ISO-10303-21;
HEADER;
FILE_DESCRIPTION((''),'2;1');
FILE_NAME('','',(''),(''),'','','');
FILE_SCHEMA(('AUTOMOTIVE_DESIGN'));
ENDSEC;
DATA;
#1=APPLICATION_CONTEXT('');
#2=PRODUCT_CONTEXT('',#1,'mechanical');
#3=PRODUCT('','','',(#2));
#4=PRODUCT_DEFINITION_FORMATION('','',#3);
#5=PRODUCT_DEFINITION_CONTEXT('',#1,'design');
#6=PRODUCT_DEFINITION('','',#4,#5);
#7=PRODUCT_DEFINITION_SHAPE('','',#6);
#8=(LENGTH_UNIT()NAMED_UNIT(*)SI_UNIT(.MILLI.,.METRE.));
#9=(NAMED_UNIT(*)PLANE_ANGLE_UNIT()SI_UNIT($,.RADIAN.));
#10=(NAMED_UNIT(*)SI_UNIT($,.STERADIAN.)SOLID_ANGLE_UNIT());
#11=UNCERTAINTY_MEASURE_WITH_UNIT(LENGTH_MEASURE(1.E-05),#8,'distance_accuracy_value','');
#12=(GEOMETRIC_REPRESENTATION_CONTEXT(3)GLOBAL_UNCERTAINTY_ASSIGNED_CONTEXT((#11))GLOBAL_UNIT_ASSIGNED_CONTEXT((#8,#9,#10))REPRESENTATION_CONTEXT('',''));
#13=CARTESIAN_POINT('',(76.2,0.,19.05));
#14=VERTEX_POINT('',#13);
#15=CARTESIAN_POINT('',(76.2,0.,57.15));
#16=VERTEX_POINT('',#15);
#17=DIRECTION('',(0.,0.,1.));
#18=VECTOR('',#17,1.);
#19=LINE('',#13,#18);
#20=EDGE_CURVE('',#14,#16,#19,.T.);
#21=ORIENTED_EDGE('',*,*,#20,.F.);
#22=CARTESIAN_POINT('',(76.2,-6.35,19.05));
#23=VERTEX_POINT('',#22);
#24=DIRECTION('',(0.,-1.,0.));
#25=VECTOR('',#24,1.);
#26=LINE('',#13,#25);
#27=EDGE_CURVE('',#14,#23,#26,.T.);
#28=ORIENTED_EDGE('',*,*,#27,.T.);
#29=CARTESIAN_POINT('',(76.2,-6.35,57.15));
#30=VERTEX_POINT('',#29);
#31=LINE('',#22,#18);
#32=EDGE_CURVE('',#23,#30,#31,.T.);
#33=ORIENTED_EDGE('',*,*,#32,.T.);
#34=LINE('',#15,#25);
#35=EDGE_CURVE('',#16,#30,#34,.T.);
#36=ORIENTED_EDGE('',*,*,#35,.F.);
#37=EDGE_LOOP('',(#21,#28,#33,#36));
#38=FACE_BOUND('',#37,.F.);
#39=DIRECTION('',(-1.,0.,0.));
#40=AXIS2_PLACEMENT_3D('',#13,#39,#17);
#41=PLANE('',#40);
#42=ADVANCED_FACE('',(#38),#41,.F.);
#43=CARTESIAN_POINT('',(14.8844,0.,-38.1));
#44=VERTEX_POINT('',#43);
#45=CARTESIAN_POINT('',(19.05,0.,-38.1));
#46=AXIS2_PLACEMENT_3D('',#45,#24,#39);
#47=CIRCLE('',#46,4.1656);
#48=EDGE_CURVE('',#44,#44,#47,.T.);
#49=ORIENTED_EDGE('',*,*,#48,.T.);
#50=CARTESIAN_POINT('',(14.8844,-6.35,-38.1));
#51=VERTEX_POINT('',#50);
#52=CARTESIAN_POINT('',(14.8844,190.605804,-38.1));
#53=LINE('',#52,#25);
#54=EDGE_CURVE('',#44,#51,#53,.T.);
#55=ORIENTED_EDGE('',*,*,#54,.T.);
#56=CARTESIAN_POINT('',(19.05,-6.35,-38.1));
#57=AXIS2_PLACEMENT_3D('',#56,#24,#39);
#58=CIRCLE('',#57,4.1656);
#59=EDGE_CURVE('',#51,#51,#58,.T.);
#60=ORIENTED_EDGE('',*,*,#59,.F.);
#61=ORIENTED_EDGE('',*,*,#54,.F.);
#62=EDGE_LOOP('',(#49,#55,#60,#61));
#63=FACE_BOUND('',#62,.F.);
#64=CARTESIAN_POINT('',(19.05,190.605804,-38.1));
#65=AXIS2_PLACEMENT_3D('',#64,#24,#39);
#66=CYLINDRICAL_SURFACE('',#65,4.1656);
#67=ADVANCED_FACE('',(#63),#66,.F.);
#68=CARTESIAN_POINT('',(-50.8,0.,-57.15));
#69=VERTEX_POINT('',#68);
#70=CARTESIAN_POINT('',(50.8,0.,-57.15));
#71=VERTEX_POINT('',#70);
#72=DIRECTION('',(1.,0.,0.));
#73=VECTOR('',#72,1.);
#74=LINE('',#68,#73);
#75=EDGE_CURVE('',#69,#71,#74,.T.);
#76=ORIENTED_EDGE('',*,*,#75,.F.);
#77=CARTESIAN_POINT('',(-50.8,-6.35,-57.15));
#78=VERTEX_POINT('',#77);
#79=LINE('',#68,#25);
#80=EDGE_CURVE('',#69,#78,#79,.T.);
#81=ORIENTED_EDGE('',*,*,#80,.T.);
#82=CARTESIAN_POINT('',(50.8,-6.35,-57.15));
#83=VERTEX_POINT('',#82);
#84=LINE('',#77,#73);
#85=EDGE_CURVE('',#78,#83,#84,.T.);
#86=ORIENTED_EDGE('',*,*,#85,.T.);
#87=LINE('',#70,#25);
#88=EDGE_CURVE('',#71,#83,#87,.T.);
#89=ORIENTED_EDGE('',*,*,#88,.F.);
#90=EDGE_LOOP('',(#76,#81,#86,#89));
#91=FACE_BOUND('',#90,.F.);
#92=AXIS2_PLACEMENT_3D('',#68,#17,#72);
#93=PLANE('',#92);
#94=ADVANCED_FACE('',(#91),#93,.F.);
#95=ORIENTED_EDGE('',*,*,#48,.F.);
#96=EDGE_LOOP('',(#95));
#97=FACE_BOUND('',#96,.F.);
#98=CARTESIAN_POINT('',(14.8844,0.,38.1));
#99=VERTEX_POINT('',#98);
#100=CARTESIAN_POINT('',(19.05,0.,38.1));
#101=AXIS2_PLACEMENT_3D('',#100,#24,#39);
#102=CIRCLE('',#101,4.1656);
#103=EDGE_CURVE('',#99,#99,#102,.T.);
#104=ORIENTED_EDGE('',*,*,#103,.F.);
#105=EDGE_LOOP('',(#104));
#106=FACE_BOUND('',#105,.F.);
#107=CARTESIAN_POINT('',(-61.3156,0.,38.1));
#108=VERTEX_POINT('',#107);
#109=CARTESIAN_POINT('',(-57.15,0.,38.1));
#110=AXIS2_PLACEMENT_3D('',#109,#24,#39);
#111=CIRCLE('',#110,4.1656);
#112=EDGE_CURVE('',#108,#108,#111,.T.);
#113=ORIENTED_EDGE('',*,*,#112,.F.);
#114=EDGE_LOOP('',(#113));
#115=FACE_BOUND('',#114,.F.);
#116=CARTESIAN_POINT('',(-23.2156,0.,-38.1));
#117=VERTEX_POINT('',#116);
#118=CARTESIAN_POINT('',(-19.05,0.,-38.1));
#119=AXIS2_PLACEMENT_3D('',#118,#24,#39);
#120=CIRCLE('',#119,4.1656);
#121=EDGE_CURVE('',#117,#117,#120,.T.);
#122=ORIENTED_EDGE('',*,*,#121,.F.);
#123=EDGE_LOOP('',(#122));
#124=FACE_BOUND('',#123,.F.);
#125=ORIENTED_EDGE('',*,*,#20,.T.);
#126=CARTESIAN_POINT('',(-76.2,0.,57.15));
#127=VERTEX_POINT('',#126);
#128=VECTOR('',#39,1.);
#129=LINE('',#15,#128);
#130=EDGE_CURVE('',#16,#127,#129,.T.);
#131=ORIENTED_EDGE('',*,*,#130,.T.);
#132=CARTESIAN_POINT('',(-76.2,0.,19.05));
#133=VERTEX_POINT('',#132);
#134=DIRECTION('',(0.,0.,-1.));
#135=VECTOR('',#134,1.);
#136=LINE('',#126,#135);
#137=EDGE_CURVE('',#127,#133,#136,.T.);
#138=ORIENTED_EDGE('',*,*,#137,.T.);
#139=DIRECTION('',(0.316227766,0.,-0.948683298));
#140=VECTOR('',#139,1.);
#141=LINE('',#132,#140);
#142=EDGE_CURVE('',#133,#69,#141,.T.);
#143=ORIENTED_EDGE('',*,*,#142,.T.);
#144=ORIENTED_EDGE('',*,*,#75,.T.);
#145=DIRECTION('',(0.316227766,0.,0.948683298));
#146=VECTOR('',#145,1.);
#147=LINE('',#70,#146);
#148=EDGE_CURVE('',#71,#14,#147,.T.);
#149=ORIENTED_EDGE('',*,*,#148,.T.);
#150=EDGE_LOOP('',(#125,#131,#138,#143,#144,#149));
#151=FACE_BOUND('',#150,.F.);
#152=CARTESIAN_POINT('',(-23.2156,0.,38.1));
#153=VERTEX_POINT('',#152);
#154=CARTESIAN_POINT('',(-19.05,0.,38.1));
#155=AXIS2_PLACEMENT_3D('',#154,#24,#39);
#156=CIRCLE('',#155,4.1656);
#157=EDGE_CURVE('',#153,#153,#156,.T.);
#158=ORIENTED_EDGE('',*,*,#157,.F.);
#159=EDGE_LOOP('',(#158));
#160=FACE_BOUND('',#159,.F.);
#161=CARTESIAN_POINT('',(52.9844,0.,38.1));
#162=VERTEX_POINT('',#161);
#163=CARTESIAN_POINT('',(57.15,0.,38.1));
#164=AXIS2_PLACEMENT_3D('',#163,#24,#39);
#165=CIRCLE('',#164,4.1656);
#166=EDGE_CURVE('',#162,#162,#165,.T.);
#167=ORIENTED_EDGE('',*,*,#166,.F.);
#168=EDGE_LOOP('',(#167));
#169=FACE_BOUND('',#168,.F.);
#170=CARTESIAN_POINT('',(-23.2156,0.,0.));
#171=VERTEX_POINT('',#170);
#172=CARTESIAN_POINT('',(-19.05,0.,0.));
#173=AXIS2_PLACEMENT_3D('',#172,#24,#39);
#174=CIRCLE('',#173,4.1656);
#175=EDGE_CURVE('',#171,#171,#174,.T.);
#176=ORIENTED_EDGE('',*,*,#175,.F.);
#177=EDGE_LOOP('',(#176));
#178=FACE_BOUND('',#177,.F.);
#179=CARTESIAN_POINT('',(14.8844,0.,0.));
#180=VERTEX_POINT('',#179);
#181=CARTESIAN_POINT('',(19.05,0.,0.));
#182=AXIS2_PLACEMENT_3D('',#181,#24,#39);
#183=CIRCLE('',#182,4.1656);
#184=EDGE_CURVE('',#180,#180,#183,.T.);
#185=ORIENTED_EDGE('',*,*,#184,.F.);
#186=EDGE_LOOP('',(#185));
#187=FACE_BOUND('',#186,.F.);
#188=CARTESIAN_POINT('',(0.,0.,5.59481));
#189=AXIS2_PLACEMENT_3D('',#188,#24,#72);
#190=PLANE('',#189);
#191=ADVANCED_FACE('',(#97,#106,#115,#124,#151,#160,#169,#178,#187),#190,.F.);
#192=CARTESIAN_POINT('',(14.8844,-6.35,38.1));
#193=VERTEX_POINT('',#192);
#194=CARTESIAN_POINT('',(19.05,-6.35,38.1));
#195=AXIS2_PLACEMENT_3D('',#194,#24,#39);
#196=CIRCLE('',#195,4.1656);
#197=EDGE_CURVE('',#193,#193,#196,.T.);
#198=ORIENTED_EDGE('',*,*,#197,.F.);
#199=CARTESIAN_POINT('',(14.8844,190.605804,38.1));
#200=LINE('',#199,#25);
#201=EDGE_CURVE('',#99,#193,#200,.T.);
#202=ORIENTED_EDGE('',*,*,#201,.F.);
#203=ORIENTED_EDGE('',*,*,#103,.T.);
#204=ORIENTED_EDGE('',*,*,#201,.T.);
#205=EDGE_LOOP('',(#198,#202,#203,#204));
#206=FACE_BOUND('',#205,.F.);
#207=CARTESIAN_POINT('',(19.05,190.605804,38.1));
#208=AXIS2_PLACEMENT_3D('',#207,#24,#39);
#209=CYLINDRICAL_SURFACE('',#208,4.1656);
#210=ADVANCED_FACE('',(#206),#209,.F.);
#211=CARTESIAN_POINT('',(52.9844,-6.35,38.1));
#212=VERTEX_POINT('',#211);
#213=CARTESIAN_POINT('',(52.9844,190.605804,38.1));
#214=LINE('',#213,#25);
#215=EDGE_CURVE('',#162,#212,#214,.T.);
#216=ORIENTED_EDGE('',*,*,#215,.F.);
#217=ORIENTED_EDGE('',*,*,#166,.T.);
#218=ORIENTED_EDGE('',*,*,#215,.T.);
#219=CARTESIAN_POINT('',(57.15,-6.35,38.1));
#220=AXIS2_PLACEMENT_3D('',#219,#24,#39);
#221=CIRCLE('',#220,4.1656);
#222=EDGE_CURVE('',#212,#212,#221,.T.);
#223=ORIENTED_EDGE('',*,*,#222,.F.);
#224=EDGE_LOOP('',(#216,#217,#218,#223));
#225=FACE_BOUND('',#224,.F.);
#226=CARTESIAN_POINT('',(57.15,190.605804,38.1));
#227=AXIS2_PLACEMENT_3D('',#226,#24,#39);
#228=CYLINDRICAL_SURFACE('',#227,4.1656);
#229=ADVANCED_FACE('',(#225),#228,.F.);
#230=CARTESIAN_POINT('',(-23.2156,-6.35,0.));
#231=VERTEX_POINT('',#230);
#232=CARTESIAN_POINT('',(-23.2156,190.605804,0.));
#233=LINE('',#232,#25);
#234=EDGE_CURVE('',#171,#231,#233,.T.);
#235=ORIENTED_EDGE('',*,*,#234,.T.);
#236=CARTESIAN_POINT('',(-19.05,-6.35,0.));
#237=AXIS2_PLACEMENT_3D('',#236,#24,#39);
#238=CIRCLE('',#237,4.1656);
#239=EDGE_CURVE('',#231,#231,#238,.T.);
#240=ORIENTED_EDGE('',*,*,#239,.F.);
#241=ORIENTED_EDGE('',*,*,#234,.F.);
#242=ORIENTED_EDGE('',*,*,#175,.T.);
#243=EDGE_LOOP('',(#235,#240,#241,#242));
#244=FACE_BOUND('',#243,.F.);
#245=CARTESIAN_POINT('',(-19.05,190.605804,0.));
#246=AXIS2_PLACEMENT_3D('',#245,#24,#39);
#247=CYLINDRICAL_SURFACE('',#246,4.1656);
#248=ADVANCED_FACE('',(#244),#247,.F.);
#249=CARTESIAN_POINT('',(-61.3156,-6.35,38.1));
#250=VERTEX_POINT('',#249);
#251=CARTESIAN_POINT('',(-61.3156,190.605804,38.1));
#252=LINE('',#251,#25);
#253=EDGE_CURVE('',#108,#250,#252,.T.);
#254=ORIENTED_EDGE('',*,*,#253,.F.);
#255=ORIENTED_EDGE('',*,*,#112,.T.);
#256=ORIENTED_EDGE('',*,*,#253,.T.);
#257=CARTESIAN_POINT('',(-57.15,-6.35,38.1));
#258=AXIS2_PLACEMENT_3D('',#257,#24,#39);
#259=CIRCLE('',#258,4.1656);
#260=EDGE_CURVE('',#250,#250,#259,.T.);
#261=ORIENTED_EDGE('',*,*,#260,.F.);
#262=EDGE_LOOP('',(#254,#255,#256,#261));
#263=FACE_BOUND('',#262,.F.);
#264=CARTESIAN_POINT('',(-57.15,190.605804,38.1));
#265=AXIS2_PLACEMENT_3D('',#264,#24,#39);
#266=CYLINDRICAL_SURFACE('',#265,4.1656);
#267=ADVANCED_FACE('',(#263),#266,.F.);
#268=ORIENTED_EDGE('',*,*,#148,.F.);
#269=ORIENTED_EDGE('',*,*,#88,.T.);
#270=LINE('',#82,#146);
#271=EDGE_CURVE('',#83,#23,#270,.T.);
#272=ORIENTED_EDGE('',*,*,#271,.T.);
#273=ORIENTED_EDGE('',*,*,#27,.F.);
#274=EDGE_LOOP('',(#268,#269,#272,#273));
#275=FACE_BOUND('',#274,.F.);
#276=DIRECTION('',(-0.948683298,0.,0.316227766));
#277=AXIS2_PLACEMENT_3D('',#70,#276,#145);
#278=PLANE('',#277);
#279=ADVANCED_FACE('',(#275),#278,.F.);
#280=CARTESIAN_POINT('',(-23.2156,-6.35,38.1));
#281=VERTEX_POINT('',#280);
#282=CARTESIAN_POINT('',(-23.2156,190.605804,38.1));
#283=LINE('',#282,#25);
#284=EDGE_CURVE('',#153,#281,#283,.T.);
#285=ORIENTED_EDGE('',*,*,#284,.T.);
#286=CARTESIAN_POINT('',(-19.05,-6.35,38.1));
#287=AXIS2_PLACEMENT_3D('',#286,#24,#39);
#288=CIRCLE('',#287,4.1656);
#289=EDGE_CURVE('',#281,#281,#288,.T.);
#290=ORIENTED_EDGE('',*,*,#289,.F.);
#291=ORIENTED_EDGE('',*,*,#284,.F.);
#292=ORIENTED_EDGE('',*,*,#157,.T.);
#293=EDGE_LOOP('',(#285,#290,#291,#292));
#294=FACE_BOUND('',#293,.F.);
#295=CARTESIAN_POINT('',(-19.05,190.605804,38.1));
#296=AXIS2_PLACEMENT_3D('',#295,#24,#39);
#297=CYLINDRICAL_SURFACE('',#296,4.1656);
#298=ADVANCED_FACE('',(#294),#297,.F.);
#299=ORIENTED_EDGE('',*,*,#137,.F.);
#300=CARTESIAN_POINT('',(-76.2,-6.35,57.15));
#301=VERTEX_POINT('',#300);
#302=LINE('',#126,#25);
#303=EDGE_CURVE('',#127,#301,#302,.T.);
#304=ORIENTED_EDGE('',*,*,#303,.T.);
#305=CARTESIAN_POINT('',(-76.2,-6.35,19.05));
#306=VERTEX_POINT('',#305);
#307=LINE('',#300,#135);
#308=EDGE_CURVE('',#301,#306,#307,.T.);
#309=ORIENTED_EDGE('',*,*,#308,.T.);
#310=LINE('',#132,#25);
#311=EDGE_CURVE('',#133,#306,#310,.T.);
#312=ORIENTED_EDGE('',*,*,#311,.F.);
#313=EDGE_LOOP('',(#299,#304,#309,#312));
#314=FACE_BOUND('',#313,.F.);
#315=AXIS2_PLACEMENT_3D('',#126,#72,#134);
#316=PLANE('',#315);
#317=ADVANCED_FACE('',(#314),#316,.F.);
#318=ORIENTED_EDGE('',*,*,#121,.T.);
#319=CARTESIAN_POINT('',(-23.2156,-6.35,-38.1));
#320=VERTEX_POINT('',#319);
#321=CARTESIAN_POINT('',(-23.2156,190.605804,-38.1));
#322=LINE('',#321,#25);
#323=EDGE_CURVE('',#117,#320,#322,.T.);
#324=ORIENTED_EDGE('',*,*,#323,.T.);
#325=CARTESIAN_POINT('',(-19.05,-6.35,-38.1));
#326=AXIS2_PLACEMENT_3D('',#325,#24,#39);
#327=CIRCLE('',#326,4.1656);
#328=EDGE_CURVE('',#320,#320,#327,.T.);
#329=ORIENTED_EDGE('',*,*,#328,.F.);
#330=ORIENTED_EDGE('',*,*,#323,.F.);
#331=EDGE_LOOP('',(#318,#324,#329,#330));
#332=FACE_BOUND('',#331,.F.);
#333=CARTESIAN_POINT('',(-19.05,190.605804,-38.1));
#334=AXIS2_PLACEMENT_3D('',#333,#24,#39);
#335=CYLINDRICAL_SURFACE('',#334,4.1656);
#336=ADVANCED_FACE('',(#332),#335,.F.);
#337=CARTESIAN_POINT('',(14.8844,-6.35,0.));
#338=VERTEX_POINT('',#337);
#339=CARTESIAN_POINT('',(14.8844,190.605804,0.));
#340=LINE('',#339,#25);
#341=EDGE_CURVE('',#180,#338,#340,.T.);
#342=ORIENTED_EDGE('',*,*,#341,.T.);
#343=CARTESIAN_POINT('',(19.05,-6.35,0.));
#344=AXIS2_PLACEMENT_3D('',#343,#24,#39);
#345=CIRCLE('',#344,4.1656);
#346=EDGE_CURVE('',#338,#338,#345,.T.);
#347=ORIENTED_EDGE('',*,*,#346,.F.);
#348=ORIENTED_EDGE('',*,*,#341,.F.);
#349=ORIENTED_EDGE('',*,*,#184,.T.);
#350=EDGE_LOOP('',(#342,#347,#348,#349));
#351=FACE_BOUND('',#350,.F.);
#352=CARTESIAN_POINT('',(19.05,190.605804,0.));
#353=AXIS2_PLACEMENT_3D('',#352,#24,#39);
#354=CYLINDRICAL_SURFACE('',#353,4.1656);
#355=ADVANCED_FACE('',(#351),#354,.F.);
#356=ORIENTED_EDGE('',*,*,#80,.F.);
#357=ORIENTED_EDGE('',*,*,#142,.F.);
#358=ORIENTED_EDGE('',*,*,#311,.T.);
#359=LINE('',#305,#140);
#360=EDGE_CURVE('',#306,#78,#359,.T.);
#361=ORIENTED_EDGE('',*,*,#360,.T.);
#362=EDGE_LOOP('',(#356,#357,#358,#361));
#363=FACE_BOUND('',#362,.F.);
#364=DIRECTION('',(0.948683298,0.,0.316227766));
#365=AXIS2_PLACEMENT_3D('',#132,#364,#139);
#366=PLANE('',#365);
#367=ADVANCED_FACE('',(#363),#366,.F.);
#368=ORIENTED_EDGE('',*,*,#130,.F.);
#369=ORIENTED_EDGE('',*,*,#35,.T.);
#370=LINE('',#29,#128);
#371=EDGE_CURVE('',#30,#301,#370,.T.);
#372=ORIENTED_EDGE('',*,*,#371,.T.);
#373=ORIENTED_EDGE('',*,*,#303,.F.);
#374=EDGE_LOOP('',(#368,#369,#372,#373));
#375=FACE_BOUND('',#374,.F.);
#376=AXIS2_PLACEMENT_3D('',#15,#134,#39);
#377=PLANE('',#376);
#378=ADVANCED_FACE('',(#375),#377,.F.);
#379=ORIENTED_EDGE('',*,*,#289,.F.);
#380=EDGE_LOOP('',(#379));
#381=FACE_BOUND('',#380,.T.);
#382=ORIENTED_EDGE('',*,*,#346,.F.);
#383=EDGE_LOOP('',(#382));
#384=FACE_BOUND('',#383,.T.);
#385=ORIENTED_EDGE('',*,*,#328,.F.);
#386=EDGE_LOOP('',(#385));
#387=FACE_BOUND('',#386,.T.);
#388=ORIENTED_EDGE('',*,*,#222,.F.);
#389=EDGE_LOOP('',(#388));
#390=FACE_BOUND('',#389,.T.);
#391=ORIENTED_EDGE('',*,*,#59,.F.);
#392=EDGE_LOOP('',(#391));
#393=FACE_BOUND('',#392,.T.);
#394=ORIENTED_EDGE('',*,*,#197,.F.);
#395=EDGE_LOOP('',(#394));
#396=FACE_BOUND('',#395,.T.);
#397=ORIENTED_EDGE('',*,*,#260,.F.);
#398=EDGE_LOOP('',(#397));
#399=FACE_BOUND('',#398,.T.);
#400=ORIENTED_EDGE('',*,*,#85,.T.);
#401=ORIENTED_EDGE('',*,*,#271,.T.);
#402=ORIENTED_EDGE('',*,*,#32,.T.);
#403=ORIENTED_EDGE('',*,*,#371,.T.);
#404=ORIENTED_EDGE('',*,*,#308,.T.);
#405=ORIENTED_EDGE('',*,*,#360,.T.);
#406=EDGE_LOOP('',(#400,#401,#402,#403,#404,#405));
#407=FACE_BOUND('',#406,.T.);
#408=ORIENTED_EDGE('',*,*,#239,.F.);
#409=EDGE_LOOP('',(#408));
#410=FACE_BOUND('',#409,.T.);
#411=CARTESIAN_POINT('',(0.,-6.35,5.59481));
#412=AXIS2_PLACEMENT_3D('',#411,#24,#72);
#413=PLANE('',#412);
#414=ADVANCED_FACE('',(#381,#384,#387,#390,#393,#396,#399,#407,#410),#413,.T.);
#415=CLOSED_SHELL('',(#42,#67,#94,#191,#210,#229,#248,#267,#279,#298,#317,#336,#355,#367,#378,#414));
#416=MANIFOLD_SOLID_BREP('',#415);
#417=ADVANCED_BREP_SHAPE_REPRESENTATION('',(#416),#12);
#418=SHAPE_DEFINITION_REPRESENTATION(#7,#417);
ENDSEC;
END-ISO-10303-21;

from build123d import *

# Parameters (mm, degrees)
F1_DEPTH = 6.35
F2_D     = 8.3312
F3_D     = 8.3312
F4_D     = 8.3312
F5_D     = 8.3312
F6_D     = 8.3312
F7_D     = 8.3312
F8_D     = 8.3312
F9_D     = 8.3312


with BuildPart() as f1:
    # F0 (on Front) → F1 (new body)
    with BuildSketch(Plane.XZ):
        Polygon((76.2, 57.15), (-76.2, 57.15), (-76.2, 19.05), (-50.8, -57.15), (50.8, -57.15), (76.2, 19.05), align=None)
    extrude(amount=F1_DEPTH)

    # F2 (through all)
    with Locations(Plane(origin=(0, 0, 0), x_dir=(1, 0, 0), z_dir=(0, 1, 0))):
        with Locations((57.15, -38.1)):
            Hole(F2_D / 2)

    # F3 (through all)
    with Locations(Plane(origin=(0, 0, 0), x_dir=(1, 0, 0), z_dir=(0, 1, 0))):
        with Locations((19.05, -38.1)):
            Hole(F3_D / 2)

    # F4 (through all)
    with Locations(Plane(origin=(0, 0, 0), x_dir=(1, 0, 0), z_dir=(0, 1, 0))):
        with Locations((-19.05, -38.1)):
            Hole(F4_D / 2)

    # F5 (through all)
    with Locations(Plane(origin=(0, 0, 0), x_dir=(1, 0, 0), z_dir=(0, 1, 0))):
        with Locations((-57.15, -38.1)):
            Hole(F5_D / 2)

    # F6 (through all)
    with Locations(Plane(origin=(0, 0, 0), x_dir=(1, 0, 0), z_dir=(0, 1, 0))):
        with Locations((-19.05, 0)):
            Hole(F6_D / 2)

    # F7 (through all)
    with Locations(Plane(origin=(0, 0, 0), x_dir=(1, 0, 0), z_dir=(0, 1, 0))):
        with Locations((19.05, 0)):
            Hole(F7_D / 2)

    # F8 (through all)
    with Locations(Plane(origin=(0, 0, 0), x_dir=(1, 0, 0), z_dir=(0, 1, 0))):
        with Locations((-19.05, 38.1)):
            Hole(F8_D / 2)

    # F9 (through all)
    with Locations(Plane(origin=(0, 0, 0), x_dir=(1, 0, 0), z_dir=(0, 1, 0))):
        with Locations((19.05, 38.1)):
            Hole(F9_D / 2)


solid = f1.part
